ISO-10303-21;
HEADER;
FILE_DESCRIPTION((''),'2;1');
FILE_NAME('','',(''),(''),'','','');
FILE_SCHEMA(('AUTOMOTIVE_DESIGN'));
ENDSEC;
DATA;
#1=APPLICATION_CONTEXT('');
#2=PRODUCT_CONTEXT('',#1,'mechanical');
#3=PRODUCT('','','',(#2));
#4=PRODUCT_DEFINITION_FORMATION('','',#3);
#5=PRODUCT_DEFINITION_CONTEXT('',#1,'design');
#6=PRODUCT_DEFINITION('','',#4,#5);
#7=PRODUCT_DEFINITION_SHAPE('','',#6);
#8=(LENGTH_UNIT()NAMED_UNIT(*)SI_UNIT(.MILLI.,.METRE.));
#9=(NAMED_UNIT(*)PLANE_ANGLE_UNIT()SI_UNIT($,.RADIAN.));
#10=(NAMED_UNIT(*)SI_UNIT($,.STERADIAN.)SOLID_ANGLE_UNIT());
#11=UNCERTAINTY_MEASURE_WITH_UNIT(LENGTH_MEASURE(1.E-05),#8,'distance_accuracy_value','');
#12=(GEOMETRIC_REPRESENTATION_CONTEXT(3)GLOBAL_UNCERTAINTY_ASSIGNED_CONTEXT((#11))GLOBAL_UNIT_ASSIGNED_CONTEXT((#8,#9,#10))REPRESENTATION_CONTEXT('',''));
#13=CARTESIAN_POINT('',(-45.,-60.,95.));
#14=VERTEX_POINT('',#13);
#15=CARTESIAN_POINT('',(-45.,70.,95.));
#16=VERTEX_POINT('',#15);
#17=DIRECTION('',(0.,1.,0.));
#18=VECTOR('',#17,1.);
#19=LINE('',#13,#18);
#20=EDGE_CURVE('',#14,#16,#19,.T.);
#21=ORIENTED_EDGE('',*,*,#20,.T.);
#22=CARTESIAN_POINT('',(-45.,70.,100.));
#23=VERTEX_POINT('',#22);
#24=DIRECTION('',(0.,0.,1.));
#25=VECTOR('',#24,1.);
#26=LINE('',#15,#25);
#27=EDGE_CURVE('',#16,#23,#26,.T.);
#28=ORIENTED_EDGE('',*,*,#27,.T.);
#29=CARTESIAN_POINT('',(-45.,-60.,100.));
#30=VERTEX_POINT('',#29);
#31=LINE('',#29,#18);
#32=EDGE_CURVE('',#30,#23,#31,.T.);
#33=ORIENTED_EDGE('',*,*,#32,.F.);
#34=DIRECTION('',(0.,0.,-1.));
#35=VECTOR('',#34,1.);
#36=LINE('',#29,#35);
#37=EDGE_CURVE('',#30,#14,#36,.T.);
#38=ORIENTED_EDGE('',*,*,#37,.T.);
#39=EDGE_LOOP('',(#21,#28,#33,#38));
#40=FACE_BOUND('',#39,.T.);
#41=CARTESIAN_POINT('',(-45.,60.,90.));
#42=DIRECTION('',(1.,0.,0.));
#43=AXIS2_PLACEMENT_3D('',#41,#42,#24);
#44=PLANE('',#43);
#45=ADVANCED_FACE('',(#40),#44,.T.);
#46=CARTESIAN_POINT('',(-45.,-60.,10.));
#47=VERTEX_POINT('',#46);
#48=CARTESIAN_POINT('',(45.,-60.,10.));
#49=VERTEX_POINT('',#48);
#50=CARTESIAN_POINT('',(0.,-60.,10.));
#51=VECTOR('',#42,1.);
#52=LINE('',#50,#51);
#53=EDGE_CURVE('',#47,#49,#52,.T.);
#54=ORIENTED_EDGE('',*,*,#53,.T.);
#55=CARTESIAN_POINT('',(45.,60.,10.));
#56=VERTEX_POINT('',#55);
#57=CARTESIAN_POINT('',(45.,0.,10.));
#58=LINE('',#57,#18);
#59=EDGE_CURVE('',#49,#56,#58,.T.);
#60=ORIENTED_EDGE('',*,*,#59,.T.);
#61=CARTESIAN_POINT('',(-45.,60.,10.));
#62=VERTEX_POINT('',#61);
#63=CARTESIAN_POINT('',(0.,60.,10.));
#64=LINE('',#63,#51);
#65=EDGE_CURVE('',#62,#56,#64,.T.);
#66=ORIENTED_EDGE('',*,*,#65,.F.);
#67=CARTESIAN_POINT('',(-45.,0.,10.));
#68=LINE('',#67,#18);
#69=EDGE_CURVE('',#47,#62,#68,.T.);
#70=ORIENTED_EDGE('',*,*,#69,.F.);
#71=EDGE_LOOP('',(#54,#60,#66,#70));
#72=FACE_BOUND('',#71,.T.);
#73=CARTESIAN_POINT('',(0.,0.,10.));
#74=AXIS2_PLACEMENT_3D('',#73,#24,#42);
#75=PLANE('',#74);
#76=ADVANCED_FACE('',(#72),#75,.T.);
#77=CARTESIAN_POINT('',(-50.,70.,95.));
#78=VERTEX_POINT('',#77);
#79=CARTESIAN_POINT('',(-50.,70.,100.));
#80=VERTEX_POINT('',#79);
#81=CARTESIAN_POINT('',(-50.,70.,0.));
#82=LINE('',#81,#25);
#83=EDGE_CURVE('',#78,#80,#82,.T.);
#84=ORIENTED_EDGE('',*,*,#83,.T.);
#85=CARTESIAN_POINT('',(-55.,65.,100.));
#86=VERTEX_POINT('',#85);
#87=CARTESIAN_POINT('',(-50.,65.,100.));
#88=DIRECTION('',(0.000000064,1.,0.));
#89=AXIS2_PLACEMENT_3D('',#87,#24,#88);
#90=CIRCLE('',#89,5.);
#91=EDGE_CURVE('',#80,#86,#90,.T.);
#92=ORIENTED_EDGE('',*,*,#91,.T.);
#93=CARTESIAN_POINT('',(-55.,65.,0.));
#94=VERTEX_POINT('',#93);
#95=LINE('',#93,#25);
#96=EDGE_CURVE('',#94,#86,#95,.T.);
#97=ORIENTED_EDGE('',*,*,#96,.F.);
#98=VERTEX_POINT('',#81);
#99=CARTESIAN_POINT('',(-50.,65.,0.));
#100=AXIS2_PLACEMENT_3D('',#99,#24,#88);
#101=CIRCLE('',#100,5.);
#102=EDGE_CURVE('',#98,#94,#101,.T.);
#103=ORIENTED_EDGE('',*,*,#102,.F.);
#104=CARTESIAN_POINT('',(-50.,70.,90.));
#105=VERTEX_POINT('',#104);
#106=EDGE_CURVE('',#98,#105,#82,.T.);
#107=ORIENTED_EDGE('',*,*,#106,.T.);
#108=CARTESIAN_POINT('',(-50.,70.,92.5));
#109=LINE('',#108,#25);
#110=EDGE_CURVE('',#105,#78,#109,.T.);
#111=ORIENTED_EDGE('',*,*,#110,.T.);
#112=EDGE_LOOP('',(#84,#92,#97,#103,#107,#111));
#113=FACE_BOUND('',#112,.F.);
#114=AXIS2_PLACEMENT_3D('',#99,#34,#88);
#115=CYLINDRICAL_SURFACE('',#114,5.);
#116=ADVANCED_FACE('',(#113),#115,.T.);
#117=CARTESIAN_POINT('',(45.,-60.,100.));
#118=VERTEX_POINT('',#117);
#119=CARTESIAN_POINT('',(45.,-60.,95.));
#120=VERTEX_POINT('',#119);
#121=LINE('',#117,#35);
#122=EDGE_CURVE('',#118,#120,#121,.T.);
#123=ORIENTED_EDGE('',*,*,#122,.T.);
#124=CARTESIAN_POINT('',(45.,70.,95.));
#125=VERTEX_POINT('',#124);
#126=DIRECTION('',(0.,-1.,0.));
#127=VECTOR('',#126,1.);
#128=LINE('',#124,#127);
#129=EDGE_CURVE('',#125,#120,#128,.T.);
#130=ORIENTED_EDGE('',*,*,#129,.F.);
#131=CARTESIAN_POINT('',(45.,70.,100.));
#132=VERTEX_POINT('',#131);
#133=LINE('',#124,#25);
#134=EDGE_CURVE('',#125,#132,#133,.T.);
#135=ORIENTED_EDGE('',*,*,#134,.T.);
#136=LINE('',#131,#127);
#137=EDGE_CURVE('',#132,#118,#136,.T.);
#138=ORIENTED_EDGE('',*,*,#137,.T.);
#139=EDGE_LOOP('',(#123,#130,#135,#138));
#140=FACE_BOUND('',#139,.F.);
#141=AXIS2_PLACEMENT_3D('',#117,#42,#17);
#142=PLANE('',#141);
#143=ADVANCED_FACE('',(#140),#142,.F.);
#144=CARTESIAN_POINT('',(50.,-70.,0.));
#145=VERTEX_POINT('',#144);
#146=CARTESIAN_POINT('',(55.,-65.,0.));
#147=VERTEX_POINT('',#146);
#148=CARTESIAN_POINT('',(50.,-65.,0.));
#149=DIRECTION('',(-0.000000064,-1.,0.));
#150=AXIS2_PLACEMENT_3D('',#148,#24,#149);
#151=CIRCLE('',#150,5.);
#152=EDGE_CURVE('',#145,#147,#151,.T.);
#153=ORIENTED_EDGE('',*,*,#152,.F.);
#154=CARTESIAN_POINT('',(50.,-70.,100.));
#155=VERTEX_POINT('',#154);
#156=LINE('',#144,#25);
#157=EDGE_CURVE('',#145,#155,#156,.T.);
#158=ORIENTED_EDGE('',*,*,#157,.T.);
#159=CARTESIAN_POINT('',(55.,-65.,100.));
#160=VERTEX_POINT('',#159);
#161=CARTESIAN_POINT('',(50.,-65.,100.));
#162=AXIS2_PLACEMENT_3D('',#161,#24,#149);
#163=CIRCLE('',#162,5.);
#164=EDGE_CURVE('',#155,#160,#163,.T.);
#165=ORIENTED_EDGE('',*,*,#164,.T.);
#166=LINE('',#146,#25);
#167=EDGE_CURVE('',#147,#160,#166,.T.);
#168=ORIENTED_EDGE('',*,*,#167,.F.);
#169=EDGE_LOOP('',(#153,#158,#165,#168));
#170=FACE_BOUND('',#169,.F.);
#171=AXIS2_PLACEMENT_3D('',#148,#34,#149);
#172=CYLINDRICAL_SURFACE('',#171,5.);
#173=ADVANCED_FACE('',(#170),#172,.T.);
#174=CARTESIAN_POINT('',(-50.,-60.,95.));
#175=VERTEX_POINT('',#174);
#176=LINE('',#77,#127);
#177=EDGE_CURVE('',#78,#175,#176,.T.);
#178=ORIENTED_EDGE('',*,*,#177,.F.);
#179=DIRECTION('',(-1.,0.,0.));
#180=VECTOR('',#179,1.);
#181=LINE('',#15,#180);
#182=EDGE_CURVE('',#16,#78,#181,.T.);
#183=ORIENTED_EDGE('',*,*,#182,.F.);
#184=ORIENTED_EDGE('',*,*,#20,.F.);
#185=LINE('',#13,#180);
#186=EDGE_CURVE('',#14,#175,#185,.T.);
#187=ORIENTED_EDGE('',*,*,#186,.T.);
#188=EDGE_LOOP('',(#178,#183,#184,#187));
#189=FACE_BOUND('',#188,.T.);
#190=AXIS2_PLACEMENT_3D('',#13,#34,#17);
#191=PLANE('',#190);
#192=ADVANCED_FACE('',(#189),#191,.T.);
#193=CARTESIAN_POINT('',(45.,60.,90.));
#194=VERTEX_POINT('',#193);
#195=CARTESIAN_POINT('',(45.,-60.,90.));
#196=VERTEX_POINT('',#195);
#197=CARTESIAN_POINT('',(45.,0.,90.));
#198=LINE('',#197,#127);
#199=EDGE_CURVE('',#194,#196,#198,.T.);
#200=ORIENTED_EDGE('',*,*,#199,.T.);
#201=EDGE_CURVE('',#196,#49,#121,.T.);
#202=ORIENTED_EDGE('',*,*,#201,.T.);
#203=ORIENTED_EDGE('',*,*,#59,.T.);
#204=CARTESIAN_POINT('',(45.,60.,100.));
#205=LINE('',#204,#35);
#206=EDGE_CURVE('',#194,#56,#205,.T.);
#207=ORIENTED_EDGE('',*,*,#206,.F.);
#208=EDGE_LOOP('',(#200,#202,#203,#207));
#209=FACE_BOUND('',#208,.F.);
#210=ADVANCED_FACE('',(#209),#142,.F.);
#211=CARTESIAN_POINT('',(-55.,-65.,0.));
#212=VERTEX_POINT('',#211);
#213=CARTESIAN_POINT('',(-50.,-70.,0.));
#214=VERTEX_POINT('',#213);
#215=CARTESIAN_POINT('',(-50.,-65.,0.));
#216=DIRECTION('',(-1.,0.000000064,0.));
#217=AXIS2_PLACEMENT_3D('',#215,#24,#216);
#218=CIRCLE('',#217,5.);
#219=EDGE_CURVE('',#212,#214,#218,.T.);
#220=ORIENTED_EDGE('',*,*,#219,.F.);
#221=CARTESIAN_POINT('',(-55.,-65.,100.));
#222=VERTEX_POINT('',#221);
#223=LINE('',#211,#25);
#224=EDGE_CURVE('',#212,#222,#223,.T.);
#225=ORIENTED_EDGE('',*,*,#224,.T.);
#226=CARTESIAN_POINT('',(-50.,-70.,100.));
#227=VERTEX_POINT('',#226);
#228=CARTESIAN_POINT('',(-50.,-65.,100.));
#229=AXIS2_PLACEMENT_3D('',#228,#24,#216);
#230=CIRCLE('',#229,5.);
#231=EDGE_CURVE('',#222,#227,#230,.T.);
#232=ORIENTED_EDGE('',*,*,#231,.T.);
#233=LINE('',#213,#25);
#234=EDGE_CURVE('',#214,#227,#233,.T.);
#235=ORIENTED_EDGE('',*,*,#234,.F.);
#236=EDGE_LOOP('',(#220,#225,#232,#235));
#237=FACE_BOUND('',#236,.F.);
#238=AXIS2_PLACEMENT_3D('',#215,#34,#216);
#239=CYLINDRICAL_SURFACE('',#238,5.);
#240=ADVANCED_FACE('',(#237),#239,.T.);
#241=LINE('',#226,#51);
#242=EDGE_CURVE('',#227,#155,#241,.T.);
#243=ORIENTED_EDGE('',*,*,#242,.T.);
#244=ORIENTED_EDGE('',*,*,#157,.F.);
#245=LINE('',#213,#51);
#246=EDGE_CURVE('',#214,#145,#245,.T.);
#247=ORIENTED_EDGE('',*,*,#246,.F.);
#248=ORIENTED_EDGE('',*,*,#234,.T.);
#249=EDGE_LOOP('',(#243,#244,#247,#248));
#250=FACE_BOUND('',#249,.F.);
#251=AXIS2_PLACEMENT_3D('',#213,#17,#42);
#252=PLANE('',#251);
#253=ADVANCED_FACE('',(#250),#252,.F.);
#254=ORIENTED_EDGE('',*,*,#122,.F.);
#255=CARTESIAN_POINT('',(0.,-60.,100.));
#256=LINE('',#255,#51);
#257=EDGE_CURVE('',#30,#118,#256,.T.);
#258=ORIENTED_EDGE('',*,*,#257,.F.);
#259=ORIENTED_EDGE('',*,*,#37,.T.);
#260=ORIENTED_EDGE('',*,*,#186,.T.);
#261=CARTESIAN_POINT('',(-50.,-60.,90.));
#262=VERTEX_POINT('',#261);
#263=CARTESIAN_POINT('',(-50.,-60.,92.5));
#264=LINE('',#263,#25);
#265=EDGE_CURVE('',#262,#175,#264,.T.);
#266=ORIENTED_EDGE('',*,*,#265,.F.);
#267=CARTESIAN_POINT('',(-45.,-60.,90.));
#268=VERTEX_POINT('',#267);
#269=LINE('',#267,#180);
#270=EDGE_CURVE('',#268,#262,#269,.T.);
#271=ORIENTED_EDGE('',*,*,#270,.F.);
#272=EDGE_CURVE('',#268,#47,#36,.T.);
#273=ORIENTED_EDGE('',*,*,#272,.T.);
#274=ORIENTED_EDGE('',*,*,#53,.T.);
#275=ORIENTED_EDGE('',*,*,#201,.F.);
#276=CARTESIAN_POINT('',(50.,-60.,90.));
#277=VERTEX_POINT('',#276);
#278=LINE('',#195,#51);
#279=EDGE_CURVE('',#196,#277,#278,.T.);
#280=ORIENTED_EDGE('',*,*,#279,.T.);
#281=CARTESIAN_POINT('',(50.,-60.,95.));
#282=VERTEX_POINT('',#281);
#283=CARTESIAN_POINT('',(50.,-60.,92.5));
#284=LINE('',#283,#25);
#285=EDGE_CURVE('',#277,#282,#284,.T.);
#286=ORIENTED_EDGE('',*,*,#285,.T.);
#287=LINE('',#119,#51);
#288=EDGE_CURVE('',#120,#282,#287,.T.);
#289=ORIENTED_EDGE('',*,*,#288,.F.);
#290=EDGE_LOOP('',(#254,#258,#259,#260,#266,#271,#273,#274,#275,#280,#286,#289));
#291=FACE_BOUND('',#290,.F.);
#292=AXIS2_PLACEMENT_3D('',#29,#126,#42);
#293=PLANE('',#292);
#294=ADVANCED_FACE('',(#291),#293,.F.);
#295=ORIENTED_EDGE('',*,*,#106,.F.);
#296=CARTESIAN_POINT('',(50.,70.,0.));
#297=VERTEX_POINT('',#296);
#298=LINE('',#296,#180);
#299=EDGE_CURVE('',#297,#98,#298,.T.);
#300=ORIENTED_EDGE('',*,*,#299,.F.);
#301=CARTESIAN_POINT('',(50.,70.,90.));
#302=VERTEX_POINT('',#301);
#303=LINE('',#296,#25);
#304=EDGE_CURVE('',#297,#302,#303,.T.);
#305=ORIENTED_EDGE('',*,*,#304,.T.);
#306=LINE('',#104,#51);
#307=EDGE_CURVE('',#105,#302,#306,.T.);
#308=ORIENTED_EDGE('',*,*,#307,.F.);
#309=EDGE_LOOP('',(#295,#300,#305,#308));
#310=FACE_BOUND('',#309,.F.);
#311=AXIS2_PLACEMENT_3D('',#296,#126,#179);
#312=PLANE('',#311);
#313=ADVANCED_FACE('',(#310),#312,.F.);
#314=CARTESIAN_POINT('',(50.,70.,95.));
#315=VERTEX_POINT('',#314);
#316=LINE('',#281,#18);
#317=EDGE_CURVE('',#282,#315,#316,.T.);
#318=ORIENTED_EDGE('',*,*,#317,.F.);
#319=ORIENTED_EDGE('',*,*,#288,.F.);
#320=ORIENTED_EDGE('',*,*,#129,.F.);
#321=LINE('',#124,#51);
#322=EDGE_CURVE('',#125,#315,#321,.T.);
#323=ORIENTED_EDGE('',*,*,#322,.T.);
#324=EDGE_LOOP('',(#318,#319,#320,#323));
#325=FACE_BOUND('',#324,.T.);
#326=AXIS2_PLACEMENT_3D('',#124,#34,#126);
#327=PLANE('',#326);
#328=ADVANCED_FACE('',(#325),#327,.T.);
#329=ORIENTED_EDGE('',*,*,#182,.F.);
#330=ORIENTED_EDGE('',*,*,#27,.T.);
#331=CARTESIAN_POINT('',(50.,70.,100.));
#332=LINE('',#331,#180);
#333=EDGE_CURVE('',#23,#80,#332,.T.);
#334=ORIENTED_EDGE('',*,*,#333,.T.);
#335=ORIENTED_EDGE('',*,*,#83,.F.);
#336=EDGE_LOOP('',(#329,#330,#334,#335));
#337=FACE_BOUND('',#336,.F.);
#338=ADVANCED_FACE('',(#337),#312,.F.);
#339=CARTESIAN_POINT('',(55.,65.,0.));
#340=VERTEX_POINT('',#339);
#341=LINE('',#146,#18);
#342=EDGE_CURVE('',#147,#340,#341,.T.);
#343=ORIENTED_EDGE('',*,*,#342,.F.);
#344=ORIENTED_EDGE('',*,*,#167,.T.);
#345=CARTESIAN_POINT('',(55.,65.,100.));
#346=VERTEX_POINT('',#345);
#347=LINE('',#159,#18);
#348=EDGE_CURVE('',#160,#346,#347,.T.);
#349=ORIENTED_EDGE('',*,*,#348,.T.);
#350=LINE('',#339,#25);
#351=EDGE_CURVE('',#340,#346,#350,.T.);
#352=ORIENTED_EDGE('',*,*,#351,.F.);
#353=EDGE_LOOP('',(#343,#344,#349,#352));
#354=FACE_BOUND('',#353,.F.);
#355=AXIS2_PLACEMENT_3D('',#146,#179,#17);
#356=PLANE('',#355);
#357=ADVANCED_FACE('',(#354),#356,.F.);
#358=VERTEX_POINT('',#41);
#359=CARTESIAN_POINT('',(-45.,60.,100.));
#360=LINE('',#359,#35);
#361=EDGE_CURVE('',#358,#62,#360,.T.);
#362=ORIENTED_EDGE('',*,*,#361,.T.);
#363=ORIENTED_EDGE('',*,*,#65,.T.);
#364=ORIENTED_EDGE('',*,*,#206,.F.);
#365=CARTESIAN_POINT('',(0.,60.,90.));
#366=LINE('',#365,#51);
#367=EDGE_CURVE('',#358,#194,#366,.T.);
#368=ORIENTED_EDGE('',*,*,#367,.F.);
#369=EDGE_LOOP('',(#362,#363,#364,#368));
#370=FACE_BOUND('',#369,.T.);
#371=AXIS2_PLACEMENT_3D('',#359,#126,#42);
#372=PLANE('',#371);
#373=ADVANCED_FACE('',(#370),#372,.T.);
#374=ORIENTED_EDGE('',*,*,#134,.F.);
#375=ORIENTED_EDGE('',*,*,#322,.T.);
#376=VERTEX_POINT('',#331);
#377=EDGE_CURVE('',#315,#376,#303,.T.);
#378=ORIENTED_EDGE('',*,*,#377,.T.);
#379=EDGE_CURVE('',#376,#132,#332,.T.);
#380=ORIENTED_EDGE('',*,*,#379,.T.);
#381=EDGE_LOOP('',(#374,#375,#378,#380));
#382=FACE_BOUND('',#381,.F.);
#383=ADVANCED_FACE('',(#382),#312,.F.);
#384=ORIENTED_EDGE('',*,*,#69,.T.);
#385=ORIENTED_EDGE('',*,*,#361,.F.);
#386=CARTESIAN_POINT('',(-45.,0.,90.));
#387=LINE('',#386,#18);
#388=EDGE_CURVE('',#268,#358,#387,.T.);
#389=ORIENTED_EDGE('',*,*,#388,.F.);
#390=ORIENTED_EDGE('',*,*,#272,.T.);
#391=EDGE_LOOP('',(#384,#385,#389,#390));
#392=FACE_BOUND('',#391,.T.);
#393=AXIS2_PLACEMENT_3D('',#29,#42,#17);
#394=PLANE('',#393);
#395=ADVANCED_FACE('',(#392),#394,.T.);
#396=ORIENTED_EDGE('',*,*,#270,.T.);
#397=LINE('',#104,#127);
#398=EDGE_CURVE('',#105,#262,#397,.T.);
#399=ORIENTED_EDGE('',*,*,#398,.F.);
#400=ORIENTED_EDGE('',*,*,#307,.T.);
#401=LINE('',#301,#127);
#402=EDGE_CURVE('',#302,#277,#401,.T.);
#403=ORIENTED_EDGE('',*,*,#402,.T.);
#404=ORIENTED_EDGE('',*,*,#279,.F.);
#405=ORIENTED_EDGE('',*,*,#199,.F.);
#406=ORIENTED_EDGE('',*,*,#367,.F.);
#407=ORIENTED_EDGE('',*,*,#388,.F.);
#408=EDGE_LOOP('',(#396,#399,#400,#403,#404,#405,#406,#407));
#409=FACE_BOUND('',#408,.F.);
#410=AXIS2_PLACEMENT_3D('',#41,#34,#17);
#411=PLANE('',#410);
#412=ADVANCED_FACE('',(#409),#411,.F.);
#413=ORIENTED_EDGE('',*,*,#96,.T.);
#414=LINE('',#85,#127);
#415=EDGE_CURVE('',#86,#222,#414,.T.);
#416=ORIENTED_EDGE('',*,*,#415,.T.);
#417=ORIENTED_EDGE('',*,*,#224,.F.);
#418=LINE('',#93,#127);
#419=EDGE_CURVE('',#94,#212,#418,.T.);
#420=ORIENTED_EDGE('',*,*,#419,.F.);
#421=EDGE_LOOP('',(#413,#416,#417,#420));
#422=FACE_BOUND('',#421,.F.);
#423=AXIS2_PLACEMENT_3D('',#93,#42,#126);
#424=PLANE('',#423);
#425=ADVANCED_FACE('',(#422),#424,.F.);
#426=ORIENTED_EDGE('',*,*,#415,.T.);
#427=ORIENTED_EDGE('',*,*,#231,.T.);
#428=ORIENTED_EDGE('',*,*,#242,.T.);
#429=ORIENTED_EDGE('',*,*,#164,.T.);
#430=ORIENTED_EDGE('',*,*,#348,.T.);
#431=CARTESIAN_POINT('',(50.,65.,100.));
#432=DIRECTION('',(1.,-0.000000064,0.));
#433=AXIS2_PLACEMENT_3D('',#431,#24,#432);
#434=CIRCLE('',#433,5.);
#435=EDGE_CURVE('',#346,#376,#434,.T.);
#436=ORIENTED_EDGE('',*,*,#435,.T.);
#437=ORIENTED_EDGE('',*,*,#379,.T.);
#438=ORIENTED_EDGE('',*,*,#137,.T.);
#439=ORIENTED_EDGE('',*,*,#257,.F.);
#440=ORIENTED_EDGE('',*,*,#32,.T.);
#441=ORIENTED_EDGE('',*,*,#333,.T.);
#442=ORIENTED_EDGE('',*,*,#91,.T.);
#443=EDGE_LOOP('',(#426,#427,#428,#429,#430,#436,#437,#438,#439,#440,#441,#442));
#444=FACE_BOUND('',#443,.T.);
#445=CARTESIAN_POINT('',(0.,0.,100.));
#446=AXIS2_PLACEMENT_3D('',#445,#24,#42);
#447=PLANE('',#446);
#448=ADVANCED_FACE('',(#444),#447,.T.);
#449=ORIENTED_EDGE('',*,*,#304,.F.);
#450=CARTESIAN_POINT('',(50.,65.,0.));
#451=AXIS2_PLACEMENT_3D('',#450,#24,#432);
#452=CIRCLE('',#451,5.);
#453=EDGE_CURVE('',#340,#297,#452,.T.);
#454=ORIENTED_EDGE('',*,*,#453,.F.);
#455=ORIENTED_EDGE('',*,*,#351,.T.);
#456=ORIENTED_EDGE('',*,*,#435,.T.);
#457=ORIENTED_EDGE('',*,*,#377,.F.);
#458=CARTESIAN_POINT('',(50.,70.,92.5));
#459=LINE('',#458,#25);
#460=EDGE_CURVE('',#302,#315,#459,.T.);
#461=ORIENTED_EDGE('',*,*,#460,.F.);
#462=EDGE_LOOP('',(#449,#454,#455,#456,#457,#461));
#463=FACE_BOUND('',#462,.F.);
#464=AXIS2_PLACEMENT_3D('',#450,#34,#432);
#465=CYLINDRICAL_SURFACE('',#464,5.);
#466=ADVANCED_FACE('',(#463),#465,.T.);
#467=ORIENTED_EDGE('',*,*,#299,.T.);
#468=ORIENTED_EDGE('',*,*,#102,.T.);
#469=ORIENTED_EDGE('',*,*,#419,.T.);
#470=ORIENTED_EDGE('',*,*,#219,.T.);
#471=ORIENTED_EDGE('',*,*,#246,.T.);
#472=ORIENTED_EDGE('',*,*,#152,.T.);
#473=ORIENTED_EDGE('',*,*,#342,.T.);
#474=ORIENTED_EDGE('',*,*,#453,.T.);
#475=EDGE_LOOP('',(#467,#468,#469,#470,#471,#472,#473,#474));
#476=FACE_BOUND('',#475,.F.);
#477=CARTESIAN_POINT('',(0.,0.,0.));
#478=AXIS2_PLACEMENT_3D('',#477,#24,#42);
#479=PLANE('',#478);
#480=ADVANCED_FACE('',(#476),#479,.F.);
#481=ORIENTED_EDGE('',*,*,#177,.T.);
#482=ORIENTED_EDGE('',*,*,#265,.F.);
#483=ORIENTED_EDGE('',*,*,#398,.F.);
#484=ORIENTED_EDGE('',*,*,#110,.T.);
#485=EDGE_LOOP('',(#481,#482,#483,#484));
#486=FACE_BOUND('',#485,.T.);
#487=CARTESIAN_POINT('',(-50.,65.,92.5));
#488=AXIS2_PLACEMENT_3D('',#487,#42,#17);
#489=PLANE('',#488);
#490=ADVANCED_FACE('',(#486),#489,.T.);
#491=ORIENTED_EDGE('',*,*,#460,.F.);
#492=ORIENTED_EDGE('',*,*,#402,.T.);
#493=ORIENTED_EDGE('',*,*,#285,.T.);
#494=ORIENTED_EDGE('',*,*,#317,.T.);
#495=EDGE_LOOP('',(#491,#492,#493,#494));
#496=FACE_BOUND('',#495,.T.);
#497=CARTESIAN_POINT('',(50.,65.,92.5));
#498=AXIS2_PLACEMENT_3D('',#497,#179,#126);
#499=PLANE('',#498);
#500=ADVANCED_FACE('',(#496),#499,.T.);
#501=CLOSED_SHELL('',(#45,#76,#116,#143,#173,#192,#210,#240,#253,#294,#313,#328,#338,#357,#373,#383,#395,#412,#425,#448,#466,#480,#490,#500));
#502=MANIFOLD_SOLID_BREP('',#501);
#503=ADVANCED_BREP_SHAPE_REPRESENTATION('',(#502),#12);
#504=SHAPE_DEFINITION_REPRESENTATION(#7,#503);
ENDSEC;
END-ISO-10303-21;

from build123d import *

# Parameters (mm, degrees)
F1_DEPTH  = 100
F2_W      = 90
F2_H      = 120
F3_DEPTH  = 90
F4_W      = 120
F4_H      = 5
F5_DEPTH  = 5
F6_W      = 120
F6_H      = 5
F7_DEPTH  = 5
F8_W      = 90
F8_H      = 10
F9_DEPTH  = 10
F10_W     = 10
F10_H     = 5
F11_DEPTH = 5
F12_W     = 10
F12_H     = 5
F13_DEPTH = 5


with BuildPart() as f1:
    # F0 (on Top) → F1 (new body)
    with BuildSketch(Plane.XY):
        with BuildLine():
            Line((-50, -70), (50, -70))
            ThreePointArc((50, -70), (53.535534, -68.535534), (55, -65))
            Line((55, -65), (55, 65))
            ThreePointArc((55, 65), (53.535534, 68.535534), (50, 70))
            Line((50, 70), (-50, 70))
            ThreePointArc((-50, 70), (-53.535534, 68.535534), (-55, 65))
            Line((-55, 65), (-55, -65))
            ThreePointArc((-55, -65), (-53.535534, -68.535534), (-50, -70))
        make_face()
    extrude(amount=F1_DEPTH)

    # F2 (on face) → F3 (cut)
    with BuildSketch(Plane.XY.offset(100)):
        Rectangle(F2_W, F2_H)
    extrude(amount=-F3_DEPTH, mode=Mode.SUBTRACT)

    # F4 (on face) → F5 (cut)
    with BuildSketch(Plane(origin=(45, 0, 0), x_dir=(0, -1, 0), z_dir=(-1, 0, 0))):
        with Locations((0, 92.5)):
            Rectangle(F4_W, F4_H)
    extrude(amount=-F5_DEPTH, mode=Mode.SUBTRACT)

    # F6 (on face) → F7 (cut)
    with BuildSketch(Plane.YZ.offset(-45)):
        with Locations((0, 92.5)):
            Rectangle(F6_W, F6_H)
    extrude(amount=-F7_DEPTH, mode=Mode.SUBTRACT)

    # F8 (on face) → F9 (cut)
    with BuildSketch(Plane.XZ.offset(-60)):
        with Locations((0, 95)):
            Rectangle(F8_W, F8_H)
    extrude(amount=-F9_DEPTH, mode=Mode.SUBTRACT)

    # F10 (on face) → F11 (cut)
    with BuildSketch(Plane(origin=(45, 0, 0), x_dir=(0, -1, 0), z_dir=(-1, 0, 0))):
        with Locations((-65, 92.5)):
            Rectangle(F10_W, F10_H)
    extrude(amount=-F11_DEPTH, mode=Mode.SUBTRACT)

    # F12 (on face) → F13 (cut)
    with BuildSketch(Plane.YZ.offset(-45)):
        with Locations((65, 92.5)):
            Rectangle(F12_W, F12_H)
    extrude(amount=-F13_DEPTH, mode=Mode.SUBTRACT)


solid = f1.part
